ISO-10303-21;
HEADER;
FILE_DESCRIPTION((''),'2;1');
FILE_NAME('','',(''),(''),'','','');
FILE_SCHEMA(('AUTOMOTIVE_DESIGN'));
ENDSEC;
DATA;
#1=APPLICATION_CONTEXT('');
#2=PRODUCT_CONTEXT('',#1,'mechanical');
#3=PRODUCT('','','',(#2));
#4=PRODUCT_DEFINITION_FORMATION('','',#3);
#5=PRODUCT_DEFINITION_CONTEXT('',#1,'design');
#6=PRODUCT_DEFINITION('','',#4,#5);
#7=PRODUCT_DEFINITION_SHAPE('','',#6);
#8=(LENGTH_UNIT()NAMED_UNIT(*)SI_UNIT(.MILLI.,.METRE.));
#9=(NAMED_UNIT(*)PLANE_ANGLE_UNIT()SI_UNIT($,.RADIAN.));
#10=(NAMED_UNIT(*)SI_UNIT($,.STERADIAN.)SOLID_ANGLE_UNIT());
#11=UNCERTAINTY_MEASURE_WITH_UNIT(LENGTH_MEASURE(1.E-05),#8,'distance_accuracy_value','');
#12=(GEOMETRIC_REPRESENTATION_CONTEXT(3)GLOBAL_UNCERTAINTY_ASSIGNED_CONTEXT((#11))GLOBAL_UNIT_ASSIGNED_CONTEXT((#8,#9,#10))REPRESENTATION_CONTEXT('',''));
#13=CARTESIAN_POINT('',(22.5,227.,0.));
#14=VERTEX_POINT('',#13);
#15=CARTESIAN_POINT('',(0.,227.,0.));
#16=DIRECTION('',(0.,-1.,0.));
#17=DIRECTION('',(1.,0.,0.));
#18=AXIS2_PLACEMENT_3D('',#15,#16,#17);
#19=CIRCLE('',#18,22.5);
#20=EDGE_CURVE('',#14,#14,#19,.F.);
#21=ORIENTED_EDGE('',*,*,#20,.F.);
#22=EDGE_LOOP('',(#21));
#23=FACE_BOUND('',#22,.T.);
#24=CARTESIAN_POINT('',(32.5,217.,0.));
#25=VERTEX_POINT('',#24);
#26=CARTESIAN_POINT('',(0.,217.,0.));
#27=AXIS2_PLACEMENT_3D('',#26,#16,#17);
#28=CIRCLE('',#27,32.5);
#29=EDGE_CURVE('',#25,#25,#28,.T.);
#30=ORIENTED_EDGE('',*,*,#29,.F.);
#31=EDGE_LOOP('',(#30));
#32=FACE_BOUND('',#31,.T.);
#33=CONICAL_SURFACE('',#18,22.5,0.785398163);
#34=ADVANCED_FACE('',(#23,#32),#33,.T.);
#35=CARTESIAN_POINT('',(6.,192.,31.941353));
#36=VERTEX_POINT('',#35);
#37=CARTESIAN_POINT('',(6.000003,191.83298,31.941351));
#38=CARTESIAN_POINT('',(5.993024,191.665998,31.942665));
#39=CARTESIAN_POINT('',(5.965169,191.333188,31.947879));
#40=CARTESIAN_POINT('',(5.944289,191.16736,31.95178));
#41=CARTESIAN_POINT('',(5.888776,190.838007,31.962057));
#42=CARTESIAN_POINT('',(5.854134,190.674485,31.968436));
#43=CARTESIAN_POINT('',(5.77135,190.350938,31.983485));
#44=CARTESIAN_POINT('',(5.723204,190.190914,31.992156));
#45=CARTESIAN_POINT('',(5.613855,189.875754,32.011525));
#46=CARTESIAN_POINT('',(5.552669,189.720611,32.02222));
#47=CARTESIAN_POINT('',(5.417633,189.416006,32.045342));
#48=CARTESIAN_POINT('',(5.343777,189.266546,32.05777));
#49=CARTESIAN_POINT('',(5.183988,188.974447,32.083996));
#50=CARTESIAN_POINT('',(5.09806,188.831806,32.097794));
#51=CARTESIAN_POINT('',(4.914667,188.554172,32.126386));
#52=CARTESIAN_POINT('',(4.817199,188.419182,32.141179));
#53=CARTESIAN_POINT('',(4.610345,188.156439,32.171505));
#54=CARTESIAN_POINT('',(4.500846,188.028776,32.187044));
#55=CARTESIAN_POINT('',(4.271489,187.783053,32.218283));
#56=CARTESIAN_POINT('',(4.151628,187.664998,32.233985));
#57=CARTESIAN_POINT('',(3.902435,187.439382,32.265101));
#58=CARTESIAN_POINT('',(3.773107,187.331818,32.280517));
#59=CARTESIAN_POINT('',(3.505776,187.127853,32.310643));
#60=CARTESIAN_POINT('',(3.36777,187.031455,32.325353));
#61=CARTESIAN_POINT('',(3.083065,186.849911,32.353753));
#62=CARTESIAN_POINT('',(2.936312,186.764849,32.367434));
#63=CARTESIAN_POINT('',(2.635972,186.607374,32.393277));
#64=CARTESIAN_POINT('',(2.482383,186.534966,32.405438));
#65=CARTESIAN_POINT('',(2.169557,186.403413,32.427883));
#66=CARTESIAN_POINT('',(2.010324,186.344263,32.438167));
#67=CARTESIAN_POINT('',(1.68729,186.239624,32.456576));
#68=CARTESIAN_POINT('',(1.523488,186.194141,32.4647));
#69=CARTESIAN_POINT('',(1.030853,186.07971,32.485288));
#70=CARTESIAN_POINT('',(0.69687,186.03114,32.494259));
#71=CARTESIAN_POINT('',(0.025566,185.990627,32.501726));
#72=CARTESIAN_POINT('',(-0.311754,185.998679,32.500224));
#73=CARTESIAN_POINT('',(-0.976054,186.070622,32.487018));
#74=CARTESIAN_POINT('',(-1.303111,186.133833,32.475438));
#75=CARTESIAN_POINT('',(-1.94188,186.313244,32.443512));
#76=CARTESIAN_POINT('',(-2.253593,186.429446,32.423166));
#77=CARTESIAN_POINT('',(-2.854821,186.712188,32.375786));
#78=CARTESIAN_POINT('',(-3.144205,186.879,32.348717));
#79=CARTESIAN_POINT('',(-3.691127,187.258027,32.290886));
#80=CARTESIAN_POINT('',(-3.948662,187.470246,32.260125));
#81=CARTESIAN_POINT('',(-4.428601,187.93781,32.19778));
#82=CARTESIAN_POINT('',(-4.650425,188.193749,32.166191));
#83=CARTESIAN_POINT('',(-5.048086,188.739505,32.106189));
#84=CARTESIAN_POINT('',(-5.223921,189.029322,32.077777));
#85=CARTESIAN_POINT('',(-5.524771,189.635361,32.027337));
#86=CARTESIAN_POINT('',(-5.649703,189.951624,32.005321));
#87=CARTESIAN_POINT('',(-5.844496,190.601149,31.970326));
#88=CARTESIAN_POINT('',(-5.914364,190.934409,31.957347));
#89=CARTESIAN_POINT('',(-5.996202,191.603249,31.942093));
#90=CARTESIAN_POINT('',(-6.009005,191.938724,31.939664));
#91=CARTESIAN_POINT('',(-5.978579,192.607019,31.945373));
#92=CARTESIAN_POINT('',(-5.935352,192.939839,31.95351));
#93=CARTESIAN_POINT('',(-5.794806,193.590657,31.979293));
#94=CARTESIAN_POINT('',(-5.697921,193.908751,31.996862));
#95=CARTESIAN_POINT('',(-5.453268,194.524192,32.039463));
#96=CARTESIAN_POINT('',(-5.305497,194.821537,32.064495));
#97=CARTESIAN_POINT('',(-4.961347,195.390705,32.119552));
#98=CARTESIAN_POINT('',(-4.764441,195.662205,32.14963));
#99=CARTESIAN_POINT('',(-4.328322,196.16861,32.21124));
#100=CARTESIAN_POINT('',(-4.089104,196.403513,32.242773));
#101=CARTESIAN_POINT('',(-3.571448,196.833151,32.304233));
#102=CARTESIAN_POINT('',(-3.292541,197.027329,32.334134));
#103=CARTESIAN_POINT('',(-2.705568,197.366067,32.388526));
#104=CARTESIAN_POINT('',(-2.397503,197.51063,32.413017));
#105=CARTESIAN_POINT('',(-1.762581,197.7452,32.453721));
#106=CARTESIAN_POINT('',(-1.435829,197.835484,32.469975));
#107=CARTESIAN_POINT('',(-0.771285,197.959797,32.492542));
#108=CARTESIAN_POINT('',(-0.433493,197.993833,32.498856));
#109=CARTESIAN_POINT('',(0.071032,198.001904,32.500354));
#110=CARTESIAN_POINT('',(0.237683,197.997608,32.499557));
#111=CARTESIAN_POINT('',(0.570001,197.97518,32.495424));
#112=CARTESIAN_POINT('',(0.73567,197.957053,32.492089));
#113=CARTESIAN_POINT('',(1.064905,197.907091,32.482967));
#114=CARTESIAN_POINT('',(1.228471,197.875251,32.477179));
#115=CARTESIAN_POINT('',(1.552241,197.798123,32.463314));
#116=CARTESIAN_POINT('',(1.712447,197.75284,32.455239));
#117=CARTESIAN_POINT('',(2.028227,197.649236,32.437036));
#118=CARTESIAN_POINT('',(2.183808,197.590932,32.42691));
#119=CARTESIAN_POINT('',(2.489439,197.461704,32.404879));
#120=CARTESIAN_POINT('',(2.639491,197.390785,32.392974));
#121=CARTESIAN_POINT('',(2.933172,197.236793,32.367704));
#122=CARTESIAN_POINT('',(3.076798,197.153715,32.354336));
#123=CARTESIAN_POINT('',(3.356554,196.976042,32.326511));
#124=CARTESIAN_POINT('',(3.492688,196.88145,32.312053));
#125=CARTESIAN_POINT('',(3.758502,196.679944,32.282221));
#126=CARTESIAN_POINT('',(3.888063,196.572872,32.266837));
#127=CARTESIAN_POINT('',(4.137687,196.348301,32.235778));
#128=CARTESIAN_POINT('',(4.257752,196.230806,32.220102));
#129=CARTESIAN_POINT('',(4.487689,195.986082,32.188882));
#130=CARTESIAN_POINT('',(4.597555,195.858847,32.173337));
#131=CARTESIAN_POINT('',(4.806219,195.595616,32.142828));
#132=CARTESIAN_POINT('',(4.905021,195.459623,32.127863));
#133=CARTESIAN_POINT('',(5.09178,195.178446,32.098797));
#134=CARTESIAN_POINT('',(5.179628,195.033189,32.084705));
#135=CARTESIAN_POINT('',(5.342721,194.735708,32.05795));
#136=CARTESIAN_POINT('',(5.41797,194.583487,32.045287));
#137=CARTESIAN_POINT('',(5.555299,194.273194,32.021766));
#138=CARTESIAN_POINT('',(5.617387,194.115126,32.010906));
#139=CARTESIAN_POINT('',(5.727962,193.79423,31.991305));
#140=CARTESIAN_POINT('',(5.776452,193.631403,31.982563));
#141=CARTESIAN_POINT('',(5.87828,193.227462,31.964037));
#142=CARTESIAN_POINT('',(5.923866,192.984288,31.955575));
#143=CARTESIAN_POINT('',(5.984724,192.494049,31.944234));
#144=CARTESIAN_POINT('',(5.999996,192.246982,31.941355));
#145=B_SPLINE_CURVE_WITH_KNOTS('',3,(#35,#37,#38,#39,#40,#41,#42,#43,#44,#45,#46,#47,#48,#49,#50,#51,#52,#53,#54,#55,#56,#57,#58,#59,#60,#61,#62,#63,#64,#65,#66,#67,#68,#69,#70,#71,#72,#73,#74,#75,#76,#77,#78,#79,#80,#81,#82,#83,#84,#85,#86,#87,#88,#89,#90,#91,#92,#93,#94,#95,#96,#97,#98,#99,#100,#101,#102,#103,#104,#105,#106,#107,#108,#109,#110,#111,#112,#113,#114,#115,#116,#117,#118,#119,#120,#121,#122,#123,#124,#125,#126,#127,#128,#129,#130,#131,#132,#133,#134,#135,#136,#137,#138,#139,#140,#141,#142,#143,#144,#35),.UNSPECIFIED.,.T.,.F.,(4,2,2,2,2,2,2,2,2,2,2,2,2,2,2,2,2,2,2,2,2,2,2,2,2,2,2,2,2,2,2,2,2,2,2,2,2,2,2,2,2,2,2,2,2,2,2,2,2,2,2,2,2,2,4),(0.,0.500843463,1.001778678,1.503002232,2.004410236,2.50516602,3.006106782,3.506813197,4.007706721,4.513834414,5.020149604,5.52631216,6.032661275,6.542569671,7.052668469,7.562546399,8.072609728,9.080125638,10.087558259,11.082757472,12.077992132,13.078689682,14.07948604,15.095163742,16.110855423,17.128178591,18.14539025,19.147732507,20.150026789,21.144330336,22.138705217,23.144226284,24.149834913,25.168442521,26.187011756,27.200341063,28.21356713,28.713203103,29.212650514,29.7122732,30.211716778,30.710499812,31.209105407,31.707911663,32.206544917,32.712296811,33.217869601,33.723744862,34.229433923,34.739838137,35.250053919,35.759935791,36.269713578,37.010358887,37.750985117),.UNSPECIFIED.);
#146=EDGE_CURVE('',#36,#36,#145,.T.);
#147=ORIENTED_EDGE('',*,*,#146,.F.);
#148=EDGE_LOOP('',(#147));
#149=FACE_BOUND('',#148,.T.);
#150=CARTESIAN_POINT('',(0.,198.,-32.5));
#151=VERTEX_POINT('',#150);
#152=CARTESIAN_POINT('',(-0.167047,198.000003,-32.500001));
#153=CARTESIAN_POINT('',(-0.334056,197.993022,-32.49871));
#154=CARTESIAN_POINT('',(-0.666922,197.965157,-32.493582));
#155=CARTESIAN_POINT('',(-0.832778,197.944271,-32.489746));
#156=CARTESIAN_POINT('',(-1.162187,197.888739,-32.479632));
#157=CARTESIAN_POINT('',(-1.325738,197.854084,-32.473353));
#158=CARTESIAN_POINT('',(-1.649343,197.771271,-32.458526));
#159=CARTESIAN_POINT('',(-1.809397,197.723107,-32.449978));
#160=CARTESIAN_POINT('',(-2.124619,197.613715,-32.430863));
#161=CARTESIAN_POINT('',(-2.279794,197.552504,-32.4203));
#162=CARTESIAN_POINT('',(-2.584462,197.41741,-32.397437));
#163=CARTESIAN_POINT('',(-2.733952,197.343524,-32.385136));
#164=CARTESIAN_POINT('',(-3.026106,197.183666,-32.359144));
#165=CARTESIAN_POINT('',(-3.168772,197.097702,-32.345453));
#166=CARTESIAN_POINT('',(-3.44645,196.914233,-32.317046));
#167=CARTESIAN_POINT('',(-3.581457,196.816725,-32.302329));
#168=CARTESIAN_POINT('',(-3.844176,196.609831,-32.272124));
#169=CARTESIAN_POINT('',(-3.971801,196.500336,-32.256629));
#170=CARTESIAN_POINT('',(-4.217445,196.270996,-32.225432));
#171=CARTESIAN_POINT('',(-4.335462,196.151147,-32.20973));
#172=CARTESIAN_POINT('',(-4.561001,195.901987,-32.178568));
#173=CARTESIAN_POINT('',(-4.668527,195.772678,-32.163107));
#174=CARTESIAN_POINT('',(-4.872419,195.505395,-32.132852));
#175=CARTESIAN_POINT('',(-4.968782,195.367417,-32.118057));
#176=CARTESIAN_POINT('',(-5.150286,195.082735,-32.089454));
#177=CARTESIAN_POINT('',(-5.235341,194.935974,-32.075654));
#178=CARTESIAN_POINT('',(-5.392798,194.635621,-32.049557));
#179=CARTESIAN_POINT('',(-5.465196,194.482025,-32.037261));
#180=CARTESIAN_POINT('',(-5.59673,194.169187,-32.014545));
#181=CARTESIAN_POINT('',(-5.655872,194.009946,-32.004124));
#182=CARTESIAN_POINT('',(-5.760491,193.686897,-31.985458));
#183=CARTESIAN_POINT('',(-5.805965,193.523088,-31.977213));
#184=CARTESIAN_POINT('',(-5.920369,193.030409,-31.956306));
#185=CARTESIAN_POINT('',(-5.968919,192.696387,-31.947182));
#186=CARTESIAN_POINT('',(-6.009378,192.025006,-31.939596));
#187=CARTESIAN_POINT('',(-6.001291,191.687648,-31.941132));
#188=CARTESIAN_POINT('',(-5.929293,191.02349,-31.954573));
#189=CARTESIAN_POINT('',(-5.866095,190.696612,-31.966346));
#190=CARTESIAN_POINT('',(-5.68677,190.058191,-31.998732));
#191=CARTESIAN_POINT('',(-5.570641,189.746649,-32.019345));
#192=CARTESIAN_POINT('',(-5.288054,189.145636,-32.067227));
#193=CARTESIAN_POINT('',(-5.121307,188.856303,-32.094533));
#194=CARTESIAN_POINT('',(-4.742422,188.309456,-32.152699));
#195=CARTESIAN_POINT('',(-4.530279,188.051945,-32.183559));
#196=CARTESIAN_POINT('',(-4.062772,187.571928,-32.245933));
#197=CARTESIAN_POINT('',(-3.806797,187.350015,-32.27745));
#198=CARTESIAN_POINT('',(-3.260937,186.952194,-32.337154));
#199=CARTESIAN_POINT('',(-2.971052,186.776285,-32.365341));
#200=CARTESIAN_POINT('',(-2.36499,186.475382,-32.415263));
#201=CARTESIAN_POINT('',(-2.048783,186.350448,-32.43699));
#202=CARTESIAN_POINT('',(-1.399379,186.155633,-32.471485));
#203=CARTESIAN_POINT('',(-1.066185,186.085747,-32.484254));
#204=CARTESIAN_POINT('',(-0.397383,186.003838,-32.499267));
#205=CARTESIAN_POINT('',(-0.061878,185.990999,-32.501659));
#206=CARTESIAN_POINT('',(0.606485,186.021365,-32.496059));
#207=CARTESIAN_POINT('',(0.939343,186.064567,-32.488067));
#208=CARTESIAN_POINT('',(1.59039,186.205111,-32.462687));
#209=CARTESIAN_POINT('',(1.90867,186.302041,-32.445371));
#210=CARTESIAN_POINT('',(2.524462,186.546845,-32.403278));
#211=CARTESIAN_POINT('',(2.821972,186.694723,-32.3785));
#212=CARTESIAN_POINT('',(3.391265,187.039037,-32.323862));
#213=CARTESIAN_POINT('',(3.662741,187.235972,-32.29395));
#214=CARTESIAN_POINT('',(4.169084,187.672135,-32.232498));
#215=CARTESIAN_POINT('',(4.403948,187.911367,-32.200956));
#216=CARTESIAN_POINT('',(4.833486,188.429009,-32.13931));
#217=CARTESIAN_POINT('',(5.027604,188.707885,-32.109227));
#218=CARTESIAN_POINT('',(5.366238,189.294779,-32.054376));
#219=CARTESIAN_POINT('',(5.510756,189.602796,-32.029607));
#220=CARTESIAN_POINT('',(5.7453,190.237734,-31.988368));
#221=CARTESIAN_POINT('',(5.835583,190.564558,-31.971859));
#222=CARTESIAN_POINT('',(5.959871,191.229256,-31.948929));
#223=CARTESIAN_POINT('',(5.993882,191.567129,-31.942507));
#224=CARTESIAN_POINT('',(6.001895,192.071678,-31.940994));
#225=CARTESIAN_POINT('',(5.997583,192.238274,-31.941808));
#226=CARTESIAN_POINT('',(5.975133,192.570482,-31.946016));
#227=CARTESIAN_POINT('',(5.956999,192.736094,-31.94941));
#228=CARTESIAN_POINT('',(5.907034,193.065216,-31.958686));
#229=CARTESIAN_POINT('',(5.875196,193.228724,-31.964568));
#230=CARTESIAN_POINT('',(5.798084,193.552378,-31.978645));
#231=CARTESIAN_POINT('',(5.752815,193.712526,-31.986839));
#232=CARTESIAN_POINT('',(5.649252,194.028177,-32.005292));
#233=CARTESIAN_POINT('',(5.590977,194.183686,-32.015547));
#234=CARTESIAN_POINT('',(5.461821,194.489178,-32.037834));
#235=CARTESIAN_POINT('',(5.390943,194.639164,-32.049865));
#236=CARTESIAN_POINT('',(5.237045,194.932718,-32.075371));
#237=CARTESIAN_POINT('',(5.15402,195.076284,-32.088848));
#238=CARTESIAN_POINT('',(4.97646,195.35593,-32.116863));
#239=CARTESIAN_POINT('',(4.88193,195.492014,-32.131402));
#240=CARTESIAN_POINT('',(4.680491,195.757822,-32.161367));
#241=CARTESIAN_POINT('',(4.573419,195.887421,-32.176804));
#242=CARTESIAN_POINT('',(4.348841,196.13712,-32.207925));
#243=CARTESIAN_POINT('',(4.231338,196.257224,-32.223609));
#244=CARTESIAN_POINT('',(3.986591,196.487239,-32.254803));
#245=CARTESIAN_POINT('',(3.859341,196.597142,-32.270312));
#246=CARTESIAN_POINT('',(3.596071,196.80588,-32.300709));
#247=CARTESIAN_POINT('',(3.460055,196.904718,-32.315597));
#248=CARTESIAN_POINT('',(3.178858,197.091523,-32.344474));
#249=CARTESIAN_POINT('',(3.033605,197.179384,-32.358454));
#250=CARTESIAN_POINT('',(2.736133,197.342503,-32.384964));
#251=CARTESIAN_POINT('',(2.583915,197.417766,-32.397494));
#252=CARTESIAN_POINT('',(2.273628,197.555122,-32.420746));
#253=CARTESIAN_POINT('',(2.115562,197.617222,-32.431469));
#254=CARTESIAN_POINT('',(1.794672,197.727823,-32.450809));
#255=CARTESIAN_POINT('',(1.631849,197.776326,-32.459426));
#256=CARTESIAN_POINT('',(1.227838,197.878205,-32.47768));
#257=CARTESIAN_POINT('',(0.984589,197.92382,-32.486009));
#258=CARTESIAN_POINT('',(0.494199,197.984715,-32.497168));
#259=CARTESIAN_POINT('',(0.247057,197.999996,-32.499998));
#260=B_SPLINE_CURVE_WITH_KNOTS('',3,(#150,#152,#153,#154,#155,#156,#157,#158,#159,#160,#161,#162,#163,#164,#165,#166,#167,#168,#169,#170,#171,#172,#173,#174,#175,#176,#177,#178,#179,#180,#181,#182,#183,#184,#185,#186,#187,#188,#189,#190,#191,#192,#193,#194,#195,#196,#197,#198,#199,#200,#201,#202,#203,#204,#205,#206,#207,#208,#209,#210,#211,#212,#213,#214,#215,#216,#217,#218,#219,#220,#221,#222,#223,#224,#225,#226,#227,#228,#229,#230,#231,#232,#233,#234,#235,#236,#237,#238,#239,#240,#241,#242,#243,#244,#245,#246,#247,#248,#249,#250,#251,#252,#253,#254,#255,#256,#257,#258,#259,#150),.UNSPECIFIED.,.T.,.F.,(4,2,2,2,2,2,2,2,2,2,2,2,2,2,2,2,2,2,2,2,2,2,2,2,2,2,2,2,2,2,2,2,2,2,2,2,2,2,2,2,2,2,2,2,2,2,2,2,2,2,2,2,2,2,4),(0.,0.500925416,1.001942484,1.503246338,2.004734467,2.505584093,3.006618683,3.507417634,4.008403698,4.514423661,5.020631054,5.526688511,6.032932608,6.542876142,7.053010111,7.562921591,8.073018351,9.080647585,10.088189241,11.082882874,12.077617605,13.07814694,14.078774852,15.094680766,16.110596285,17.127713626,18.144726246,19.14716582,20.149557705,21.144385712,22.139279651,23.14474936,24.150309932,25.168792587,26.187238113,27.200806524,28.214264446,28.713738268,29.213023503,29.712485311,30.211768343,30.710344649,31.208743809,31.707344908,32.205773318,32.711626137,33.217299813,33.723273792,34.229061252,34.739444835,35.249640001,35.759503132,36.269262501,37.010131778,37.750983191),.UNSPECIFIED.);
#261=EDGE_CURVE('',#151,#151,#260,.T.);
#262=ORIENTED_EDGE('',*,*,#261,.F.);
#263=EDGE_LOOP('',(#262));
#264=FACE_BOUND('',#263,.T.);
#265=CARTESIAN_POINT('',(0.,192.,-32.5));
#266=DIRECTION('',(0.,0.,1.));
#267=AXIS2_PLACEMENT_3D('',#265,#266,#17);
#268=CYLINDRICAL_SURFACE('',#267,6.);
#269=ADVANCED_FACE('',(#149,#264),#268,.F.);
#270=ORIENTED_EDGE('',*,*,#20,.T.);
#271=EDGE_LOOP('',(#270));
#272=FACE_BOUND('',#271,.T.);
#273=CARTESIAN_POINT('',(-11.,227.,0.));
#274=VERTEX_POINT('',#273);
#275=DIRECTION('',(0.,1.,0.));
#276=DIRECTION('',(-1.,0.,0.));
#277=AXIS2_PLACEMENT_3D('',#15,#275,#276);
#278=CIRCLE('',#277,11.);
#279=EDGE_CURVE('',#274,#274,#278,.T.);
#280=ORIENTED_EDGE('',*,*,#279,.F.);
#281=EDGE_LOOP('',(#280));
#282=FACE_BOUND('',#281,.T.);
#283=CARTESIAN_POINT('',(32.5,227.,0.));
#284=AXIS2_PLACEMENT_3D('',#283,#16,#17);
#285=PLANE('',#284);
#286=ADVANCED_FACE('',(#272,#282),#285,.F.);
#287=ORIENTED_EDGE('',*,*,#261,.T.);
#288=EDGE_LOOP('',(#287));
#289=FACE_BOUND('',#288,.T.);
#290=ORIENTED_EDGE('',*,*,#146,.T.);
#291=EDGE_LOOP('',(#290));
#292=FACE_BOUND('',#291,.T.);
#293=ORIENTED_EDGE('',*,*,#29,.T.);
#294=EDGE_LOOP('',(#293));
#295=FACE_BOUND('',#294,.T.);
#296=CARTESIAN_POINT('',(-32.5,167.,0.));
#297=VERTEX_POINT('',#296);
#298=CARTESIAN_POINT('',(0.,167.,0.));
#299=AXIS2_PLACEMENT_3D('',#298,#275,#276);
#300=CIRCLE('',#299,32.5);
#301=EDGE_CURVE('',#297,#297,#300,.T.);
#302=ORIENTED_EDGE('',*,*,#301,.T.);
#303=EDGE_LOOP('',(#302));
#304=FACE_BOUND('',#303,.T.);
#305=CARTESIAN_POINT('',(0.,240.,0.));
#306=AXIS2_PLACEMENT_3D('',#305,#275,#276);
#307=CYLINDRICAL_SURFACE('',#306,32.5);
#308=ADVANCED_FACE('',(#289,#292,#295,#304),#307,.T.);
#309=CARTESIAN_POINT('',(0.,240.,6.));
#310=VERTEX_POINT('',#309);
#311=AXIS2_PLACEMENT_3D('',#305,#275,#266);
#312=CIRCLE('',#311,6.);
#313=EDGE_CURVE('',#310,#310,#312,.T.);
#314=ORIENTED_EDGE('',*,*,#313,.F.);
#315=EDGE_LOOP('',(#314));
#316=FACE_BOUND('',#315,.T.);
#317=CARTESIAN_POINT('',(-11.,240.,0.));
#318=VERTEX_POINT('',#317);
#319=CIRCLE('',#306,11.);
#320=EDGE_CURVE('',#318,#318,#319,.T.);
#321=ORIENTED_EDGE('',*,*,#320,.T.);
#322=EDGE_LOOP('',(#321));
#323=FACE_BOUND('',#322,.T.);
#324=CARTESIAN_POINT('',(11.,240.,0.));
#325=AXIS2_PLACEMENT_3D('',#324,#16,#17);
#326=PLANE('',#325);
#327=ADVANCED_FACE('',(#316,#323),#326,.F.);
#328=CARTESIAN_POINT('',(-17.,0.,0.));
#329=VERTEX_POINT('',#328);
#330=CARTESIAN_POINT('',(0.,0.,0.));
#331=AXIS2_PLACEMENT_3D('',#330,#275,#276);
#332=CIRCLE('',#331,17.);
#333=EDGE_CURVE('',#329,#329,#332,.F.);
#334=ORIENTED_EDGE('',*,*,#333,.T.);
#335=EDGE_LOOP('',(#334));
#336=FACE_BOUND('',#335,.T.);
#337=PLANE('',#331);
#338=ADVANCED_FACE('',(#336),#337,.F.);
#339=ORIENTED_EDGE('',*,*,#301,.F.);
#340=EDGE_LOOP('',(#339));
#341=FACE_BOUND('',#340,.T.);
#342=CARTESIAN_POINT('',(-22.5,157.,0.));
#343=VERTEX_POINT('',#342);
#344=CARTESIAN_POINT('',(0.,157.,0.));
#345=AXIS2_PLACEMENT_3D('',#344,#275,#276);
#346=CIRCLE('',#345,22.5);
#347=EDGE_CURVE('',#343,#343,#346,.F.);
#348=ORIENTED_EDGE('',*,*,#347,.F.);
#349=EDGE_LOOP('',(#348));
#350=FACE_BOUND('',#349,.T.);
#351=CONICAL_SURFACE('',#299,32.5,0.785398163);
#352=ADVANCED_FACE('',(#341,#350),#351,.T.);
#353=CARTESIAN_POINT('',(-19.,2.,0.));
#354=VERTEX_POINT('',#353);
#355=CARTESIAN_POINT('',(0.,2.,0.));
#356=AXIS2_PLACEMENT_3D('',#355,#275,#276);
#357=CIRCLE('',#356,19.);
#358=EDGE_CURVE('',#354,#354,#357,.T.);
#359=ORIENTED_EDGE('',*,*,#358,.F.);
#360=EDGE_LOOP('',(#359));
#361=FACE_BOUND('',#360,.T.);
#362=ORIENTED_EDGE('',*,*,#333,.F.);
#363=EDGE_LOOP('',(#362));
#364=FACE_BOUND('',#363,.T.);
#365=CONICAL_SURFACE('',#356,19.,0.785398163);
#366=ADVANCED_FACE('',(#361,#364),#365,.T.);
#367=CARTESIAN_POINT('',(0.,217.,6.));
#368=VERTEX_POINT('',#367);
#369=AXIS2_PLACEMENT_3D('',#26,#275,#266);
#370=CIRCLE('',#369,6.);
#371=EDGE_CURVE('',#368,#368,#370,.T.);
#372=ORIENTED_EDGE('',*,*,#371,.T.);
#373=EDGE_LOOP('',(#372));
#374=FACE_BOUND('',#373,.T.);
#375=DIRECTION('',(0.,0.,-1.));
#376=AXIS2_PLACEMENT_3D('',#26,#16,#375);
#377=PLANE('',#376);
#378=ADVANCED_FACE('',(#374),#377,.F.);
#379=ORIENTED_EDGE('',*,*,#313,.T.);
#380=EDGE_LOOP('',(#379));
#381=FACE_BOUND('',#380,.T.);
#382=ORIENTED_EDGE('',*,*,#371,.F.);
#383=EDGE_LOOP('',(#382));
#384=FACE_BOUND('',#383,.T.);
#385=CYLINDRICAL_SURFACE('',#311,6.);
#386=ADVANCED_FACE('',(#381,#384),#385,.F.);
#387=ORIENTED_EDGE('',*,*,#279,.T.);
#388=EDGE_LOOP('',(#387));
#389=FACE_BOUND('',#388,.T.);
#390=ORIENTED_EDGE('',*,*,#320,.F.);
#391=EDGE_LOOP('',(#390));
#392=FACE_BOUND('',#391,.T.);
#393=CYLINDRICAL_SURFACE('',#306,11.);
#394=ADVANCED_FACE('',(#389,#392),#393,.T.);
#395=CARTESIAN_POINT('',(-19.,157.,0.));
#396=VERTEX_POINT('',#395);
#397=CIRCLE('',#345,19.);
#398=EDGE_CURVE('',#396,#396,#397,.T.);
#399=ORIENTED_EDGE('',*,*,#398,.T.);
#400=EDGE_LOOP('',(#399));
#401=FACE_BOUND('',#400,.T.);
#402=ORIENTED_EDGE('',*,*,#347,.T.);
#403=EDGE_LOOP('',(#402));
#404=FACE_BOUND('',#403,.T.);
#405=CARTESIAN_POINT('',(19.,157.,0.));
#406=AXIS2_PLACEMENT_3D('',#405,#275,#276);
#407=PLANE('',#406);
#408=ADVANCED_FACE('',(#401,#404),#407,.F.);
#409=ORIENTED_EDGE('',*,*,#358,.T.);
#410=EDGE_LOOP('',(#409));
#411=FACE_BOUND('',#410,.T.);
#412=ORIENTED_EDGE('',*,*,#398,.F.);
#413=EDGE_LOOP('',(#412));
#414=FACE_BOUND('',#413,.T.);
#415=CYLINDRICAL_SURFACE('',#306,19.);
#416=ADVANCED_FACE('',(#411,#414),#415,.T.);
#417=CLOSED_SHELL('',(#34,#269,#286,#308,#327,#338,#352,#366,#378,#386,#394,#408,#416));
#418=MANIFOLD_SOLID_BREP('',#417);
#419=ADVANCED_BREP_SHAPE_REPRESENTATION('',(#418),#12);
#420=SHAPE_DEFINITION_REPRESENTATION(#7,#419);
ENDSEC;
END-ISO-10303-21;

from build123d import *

# Parameters (mm, degrees)
CHAMFER1_SIZE           = 10
CUT_EXTRUDE1_DEPTH      = 245.361412666
CUT_EXTRUDE1_DEPTH_BACK = 245.361412666
SKETCH2_R               = 6
HOLE1_D                 = 12
HOLE1_DEPTH             = 23
CHAMFER2_SIZE           = 2


with BuildPart() as part:
    # Sketch1 → Revolve1 (revolve)
    with BuildSketch(Plane.XY, mode=Mode.PRIVATE) as revolve1_sk:
        Polygon((0, 0), (19, 0), (19, 157), (32.5, 157), (32.5, 227), (11, 227), (11, 240), (0, 240), align=None)
    revolve(revolve1_sk.sketch.rotate(Axis((0, 240, 0), (0, -1, 0)), 180), axis=Axis((0, 240, 0), (0, -1, 0)))

    # Chamfer1
    chamfer1_edges = [part.edges().sort_by_distance(p)[0] for p in [
        (32.5, 227, 0),
        (32.5, 157, 0),
    ]]
    chamfer(chamfer1_edges, length=CHAMFER1_SIZE)

    # Sketch2 → Cut-Extrude1 (cut, two sides: drawn at the far end of the back side and taken through both)
    with BuildSketch(Plane.XY.offset(-CUT_EXTRUDE1_DEPTH_BACK)):
        with Locations((0, 192)):
            Circle(SKETCH2_R)
    extrude(amount=CUT_EXTRUDE1_DEPTH + CUT_EXTRUDE1_DEPTH_BACK, mode=Mode.SUBTRACT)

    # Hole1
    with Locations(Plane(origin=(0, 240, 0), x_dir=(1, 0, 0), z_dir=(0, 1, 0))):
        with Locations((0, 0)):
            Hole(HOLE1_D / 2, depth=HOLE1_DEPTH)

    # Chamfer2
    chamfer2_edges = [part.edges().sort_by_distance(p)[0] for p in [
        (19, 0, 0),
    ]]
    chamfer(chamfer2_edges, length=CHAMFER2_SIZE)


solid = part.part
